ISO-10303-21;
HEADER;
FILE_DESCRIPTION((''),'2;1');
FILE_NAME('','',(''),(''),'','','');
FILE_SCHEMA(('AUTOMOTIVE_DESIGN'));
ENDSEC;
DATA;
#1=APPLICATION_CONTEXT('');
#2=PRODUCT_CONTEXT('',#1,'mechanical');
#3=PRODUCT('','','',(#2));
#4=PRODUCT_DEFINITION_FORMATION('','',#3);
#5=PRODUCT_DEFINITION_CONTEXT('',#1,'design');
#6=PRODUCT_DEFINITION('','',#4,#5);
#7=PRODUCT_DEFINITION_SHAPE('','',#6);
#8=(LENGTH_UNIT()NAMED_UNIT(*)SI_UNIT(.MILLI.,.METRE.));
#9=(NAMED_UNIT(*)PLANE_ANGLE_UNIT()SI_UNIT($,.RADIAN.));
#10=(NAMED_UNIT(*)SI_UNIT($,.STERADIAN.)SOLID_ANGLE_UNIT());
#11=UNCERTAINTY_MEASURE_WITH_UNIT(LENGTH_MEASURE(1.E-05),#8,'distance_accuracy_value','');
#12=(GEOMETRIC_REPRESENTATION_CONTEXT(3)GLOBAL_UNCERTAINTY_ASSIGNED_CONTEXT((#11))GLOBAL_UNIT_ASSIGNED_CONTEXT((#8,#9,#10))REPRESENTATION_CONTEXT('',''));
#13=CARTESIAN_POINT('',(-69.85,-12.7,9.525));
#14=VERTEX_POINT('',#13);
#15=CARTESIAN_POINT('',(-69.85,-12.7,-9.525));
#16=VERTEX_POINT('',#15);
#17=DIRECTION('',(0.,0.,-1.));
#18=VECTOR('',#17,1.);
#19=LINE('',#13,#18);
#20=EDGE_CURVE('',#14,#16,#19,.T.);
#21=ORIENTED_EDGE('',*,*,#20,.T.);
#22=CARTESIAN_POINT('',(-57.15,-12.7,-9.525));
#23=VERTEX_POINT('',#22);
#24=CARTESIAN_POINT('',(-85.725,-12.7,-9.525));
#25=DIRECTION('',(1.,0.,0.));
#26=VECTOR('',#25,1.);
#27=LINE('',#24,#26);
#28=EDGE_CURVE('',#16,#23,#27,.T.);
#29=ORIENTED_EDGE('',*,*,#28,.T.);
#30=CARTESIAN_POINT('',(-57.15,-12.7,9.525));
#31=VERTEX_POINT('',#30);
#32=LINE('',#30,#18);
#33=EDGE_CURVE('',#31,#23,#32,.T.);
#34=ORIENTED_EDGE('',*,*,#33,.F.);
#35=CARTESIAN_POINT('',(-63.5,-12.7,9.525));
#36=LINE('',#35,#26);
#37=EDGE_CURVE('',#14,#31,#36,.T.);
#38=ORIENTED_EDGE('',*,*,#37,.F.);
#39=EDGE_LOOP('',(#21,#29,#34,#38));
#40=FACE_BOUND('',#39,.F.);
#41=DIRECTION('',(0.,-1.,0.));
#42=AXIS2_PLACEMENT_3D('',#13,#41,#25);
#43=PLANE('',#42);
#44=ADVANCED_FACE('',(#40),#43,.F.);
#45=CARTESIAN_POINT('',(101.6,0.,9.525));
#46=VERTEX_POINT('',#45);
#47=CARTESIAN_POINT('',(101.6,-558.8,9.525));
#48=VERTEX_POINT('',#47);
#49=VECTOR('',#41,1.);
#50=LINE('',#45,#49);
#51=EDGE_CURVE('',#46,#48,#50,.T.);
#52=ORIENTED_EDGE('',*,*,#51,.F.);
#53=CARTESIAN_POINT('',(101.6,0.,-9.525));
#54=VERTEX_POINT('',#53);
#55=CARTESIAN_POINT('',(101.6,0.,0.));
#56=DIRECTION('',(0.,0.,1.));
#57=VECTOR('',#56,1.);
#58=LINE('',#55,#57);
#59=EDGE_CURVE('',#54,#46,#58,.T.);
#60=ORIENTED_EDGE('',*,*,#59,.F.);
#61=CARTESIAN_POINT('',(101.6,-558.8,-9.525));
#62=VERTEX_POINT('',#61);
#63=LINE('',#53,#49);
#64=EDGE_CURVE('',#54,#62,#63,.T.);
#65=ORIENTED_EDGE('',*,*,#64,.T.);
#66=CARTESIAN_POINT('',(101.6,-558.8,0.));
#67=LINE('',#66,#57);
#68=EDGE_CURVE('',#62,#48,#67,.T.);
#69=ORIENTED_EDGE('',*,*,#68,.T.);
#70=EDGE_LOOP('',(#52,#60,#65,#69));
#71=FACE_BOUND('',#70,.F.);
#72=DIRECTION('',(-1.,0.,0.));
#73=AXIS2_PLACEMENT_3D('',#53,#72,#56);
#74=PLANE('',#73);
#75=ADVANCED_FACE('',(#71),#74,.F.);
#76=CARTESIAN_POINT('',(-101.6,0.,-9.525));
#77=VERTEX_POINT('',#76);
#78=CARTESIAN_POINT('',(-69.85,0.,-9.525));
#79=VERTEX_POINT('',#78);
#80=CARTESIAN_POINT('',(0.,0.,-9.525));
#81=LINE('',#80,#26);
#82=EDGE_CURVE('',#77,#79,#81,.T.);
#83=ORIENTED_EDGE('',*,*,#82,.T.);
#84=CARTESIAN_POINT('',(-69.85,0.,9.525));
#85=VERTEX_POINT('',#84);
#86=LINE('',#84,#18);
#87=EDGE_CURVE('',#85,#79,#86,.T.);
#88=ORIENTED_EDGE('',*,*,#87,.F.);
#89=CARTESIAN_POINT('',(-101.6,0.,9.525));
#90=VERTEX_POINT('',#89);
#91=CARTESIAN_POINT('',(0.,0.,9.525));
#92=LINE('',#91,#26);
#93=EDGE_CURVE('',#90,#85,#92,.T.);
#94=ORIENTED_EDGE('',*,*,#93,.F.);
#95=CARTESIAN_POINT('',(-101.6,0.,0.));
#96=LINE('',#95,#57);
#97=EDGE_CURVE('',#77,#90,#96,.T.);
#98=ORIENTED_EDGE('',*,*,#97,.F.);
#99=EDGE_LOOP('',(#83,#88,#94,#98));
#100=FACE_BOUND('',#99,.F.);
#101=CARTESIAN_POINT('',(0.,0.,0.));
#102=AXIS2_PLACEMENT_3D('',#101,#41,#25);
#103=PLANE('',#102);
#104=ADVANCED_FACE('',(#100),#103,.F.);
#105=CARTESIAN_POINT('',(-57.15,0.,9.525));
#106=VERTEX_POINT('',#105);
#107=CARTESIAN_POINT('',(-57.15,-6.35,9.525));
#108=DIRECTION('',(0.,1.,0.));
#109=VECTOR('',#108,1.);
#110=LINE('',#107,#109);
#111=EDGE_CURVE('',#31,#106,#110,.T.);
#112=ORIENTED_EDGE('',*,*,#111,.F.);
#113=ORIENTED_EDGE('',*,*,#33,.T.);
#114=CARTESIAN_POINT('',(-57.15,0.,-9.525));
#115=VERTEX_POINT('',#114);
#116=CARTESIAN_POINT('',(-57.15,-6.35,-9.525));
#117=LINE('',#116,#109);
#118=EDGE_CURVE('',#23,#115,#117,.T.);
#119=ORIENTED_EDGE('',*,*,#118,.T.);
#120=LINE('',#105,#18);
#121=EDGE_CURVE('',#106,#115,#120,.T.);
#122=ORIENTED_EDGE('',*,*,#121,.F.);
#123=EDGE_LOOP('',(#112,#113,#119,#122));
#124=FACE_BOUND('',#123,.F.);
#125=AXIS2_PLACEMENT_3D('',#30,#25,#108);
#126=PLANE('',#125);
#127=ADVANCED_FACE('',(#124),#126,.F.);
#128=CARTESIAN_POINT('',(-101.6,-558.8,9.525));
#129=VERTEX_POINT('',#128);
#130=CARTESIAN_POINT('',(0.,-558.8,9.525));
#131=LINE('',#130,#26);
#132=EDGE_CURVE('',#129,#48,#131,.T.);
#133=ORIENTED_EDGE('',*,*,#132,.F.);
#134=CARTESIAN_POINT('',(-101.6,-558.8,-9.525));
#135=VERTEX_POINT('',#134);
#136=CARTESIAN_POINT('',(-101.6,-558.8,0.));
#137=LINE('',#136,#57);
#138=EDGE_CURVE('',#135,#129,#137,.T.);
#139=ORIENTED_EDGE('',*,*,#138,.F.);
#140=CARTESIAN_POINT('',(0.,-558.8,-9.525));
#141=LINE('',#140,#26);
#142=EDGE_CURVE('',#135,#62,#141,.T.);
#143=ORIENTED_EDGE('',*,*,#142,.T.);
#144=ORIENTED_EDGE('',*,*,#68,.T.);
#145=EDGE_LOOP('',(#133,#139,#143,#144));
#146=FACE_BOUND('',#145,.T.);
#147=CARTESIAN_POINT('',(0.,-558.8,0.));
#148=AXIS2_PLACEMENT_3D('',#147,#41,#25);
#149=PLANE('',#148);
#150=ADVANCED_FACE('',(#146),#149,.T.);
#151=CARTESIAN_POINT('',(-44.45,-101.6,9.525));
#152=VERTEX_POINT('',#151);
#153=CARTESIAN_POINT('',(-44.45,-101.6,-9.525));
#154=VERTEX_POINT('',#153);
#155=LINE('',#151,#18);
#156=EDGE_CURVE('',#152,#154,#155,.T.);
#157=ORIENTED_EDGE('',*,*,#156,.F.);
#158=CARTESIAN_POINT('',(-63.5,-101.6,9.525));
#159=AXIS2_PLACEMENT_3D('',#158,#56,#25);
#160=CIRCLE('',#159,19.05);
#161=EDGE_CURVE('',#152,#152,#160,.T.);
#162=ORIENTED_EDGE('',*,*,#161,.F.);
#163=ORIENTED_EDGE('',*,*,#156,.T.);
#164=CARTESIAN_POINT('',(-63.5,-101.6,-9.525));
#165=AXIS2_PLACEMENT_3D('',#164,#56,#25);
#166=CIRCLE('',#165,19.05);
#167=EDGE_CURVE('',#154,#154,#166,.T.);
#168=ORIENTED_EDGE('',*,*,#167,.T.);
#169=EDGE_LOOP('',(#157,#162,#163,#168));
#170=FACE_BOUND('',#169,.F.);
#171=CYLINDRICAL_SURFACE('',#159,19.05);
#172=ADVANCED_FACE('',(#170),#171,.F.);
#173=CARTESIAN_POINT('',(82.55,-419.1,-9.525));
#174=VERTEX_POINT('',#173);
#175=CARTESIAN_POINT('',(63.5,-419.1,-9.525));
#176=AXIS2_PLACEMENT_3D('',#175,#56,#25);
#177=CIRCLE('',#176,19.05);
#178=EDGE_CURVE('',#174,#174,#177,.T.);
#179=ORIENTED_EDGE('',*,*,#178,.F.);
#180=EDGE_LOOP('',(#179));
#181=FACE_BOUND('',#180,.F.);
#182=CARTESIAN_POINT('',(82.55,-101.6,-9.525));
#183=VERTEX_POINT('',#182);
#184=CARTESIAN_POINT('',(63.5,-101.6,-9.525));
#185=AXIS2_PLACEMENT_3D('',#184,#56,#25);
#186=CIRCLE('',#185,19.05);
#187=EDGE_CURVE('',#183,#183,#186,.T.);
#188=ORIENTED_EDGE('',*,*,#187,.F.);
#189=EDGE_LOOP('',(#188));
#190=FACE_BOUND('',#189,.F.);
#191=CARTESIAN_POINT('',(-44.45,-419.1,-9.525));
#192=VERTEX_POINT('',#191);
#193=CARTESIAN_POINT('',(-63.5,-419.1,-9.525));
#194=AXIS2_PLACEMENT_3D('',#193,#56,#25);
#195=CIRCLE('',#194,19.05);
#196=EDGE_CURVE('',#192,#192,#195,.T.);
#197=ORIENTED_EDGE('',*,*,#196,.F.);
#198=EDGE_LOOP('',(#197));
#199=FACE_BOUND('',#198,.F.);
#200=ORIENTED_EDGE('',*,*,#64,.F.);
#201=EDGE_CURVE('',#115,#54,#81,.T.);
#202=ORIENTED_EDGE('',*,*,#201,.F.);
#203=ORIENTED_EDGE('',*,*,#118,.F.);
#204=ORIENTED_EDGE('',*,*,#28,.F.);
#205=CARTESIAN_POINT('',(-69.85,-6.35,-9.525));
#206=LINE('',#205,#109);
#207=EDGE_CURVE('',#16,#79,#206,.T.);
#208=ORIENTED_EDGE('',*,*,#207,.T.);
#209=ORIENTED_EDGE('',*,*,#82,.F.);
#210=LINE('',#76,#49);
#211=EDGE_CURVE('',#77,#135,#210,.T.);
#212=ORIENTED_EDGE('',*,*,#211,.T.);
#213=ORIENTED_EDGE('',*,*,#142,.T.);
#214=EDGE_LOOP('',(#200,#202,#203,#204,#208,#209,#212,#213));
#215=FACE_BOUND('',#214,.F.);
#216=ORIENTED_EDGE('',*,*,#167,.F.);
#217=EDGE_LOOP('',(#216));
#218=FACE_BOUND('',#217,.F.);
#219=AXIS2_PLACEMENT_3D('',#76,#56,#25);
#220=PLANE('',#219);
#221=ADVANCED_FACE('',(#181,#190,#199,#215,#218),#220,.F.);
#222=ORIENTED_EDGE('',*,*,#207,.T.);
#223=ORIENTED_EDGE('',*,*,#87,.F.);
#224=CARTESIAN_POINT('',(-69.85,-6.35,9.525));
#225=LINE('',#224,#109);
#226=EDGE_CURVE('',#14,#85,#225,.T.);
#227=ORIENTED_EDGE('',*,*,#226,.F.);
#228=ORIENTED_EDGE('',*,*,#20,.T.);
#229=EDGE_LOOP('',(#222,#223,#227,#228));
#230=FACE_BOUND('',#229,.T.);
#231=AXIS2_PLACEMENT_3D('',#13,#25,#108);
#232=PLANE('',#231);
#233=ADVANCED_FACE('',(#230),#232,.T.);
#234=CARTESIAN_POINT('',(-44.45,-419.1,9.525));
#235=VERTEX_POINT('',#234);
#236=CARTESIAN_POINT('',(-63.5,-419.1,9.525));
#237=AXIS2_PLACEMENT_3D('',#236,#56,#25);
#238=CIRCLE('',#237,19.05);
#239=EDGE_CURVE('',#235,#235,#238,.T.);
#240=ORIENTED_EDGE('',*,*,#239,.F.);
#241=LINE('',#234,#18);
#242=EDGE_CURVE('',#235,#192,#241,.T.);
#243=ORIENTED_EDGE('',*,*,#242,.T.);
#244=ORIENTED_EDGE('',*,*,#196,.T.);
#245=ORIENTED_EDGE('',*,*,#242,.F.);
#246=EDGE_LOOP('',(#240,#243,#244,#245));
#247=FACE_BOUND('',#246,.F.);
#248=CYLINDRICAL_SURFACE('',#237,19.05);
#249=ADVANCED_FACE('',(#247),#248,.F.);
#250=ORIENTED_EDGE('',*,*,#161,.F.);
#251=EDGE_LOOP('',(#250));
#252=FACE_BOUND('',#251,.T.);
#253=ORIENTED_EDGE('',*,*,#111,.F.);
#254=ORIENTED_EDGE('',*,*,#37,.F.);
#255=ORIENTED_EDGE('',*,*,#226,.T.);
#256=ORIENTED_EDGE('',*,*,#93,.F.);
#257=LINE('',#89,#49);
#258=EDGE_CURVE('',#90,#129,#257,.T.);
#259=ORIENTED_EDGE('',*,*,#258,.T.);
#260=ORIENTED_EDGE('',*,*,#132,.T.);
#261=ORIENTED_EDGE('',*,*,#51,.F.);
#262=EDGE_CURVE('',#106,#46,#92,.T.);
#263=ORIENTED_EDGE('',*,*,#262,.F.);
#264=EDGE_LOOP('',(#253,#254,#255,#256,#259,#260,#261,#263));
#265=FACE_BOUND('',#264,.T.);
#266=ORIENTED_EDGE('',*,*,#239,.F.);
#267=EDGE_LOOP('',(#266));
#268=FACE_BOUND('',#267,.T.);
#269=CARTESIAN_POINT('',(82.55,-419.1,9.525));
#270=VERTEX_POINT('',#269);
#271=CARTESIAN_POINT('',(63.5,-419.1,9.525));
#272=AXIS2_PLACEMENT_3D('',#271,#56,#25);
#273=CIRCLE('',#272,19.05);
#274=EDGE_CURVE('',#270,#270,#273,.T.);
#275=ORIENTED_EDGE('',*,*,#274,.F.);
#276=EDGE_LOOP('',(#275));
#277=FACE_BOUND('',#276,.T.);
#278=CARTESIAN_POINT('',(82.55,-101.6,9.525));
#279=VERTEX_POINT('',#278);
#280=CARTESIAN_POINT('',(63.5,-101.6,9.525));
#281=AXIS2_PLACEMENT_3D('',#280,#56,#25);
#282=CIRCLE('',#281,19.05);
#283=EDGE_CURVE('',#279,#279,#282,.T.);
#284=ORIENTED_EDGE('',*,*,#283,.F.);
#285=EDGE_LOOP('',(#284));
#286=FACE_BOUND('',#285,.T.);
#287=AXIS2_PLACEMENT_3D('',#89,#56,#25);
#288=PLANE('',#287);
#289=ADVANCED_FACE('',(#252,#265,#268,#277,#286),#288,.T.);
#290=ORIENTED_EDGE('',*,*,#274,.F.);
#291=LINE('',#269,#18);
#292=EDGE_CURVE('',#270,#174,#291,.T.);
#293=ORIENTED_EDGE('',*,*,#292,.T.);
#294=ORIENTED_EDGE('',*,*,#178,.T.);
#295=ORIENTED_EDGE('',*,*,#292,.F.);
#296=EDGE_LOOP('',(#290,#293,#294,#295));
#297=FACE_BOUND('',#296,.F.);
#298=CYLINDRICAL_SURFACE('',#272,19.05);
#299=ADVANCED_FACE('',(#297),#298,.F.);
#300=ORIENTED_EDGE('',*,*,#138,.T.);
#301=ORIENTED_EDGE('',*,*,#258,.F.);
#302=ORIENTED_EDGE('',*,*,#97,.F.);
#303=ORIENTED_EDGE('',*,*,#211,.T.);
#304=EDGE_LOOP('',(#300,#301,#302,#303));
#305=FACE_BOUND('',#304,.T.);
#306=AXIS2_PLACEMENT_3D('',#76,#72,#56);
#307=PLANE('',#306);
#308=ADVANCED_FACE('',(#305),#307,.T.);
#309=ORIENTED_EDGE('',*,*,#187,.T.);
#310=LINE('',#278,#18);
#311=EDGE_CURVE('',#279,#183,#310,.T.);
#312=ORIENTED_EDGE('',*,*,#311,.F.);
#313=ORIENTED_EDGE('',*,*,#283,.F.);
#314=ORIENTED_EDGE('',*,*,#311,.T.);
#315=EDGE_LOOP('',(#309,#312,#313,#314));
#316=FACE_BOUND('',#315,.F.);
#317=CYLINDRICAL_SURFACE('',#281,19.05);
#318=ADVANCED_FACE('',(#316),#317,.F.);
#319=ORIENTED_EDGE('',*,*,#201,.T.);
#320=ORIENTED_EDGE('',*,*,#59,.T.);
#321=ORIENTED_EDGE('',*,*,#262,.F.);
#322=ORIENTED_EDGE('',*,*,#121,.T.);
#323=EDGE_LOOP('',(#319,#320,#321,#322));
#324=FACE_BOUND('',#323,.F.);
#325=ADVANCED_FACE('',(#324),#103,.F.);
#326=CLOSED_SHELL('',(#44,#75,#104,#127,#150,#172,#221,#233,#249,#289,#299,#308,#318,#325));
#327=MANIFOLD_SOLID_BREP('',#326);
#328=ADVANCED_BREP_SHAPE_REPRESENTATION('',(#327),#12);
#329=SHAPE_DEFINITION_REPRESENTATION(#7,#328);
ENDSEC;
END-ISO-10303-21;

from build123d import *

# Parameters (mm, degrees)
F0_W     = 203.2
F0_H     = 19.05
F1_DEPTH = 558.8
F2_R     = 19.05
F2_W     = 12.7
F2_H     = 12.7
F3_DEPTH = 25.4


with BuildPart() as f1:
    # F0 (on Front) → F1 (new body)
    with BuildSketch(Plane.XZ):
        Rectangle(F0_W, F0_H)
    extrude(amount=F1_DEPTH)

    # F2 (on face) → F3 (cut)
    with BuildSketch(Plane.XY.offset(9.525)):
        with Locations((-63.5, -101.6)):
            Circle(F2_R)
        with Locations((63.5, -101.6)):
            Circle(F2_R)
        with Locations((-63.5, -419.1)):
            Circle(F2_R)
        with Locations((63.5, -419.1)):
            Circle(F2_R)
        with Locations((-63.5, -6.35)):
            Rectangle(F2_W, F2_H)
    extrude(amount=-F3_DEPTH, mode=Mode.SUBTRACT)


solid = f1.part
